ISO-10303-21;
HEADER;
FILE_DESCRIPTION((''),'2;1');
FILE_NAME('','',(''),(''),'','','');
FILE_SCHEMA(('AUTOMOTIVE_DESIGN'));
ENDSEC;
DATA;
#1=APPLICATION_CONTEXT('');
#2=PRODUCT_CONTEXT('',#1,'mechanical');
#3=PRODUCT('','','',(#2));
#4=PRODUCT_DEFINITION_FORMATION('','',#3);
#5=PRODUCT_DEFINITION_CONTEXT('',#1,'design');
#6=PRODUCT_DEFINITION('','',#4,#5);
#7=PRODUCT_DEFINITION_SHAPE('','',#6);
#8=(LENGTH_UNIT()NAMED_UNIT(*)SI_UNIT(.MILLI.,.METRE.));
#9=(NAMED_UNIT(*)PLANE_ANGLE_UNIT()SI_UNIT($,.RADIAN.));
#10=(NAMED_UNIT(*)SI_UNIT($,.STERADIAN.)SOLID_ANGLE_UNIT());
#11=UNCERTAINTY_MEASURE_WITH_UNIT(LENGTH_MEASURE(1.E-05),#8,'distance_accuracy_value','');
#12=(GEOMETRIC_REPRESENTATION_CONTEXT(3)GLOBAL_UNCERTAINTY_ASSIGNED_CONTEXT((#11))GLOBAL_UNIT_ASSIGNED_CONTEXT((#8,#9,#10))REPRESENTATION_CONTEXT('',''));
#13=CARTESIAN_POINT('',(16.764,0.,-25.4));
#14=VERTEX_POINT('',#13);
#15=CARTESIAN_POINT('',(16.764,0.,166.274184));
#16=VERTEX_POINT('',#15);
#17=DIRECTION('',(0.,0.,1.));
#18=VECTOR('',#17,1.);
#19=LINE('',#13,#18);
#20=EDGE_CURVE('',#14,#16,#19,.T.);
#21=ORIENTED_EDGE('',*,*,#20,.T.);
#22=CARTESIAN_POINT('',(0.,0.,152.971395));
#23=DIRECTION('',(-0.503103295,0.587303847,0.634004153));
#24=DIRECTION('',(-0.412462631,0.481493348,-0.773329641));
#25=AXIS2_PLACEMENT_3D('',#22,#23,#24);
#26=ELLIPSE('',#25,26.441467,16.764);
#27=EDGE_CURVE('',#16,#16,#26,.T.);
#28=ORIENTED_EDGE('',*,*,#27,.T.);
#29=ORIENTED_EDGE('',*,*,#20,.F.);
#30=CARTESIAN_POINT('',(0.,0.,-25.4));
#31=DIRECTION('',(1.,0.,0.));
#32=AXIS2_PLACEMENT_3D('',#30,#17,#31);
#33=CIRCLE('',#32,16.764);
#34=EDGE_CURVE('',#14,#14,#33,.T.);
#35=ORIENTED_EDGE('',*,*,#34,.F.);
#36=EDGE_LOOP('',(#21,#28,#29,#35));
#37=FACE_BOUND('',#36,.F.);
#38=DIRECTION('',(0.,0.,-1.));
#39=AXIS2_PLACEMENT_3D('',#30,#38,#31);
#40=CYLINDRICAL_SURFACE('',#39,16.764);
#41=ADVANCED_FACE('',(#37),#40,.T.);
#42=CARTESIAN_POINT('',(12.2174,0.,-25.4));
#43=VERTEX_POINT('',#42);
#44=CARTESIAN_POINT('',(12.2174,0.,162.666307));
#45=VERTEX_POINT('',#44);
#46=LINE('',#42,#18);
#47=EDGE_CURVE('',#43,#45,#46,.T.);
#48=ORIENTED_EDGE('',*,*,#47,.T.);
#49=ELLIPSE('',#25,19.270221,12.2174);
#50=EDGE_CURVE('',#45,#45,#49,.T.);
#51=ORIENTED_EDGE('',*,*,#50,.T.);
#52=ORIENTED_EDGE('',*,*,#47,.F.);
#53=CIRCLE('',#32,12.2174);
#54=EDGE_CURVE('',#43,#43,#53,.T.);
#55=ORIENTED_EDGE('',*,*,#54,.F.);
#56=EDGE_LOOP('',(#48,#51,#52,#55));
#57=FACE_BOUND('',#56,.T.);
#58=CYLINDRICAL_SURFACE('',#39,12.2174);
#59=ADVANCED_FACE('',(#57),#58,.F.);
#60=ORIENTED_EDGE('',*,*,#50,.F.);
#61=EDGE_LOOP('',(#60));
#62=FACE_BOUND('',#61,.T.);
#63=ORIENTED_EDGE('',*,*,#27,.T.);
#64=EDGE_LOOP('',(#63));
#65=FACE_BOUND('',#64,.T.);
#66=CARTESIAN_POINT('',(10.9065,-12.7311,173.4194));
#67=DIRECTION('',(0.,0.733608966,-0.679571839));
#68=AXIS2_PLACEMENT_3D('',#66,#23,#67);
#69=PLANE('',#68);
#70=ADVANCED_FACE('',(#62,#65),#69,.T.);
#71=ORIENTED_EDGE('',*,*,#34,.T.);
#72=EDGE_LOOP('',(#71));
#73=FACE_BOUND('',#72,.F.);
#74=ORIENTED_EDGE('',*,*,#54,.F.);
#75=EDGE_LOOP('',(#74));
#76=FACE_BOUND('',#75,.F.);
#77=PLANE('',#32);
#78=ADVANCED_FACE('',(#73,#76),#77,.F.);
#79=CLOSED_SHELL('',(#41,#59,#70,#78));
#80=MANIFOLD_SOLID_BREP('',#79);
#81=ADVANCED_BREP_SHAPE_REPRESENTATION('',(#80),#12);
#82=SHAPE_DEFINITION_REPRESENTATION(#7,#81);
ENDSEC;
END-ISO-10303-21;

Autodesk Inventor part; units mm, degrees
ref_plane "Start Plane" through (0, 0, -25.4) normal (0, 0, 1) x (1, 0, 0)
ref_plane "End Plane" through (0, 0, 181.8038) normal (0, 0, 1) x (1, 0, 0)
sketch "Sketch" plane through (0, 0, 0) normal (0, 0, 1) x (1, 0, 0)
  circle A0 centre (0, 0) radius 12.2174
  circle A1 centre (0, 0) radius 16.764
  dimension "d0" = 33.528
  dimension "d1" = 4.5466
extrude "Body" add sketch "Sketch" along normal up to surface (207.2038 mm away) from surface at -25.4
sketch "Sketch3" plane through (0, 0, 0) normal (0, 0, 1) x (1, 0, 0)
  line L0 (0, 0) -> (10, 0)
ref_plane "Work Plane3" through (0, 0, 0) normal (0, -1, 0) x (1, 0, 0)
ref_plane "Work Plane4" through (10.9065, -12.7311, 173.4194) normal (-0.5031, 0.5873, 0.634) x (0.8451, 0.1808, 0.5031)
split "Split1" plane through (10.9065, -12.7311, 173.4194) removes the side toward (-0.5031, 0.5873, 0.634)
sketch "Sketch4" plane through (0, 0, 0) normal (0, -1, 0) x (1, 0, 0)
  line L0 (-2, -25.4) -> (12, -25.4) projected
  line L1 (-2, 181.8038) -> (12, 181.8038) projected
  dimension "d7" = 207.2038
equation "\"d0\" = G_H"
equation "\"d1\" = G_T"
equation "\"d2\" = G_L"
equation "\"G_H\" = 33.528"
equation "\"G_T\" = 4.5466"
equation "\"G_L\" = 198.81938"
equation "\"G_OFFSET_START\" = 25.4"
equation "\"G_OFFSET_END\" = 28.83319"
equation "\"d4\" = -G_OFFSET_START"
equation "\"d5\" = G_OFFSET_END + B_L"
equation "\"B_L\" = 152.97059"
properties part number "ANSI - 1 x 0.179 - 7.828" material "Steel, Mild"
